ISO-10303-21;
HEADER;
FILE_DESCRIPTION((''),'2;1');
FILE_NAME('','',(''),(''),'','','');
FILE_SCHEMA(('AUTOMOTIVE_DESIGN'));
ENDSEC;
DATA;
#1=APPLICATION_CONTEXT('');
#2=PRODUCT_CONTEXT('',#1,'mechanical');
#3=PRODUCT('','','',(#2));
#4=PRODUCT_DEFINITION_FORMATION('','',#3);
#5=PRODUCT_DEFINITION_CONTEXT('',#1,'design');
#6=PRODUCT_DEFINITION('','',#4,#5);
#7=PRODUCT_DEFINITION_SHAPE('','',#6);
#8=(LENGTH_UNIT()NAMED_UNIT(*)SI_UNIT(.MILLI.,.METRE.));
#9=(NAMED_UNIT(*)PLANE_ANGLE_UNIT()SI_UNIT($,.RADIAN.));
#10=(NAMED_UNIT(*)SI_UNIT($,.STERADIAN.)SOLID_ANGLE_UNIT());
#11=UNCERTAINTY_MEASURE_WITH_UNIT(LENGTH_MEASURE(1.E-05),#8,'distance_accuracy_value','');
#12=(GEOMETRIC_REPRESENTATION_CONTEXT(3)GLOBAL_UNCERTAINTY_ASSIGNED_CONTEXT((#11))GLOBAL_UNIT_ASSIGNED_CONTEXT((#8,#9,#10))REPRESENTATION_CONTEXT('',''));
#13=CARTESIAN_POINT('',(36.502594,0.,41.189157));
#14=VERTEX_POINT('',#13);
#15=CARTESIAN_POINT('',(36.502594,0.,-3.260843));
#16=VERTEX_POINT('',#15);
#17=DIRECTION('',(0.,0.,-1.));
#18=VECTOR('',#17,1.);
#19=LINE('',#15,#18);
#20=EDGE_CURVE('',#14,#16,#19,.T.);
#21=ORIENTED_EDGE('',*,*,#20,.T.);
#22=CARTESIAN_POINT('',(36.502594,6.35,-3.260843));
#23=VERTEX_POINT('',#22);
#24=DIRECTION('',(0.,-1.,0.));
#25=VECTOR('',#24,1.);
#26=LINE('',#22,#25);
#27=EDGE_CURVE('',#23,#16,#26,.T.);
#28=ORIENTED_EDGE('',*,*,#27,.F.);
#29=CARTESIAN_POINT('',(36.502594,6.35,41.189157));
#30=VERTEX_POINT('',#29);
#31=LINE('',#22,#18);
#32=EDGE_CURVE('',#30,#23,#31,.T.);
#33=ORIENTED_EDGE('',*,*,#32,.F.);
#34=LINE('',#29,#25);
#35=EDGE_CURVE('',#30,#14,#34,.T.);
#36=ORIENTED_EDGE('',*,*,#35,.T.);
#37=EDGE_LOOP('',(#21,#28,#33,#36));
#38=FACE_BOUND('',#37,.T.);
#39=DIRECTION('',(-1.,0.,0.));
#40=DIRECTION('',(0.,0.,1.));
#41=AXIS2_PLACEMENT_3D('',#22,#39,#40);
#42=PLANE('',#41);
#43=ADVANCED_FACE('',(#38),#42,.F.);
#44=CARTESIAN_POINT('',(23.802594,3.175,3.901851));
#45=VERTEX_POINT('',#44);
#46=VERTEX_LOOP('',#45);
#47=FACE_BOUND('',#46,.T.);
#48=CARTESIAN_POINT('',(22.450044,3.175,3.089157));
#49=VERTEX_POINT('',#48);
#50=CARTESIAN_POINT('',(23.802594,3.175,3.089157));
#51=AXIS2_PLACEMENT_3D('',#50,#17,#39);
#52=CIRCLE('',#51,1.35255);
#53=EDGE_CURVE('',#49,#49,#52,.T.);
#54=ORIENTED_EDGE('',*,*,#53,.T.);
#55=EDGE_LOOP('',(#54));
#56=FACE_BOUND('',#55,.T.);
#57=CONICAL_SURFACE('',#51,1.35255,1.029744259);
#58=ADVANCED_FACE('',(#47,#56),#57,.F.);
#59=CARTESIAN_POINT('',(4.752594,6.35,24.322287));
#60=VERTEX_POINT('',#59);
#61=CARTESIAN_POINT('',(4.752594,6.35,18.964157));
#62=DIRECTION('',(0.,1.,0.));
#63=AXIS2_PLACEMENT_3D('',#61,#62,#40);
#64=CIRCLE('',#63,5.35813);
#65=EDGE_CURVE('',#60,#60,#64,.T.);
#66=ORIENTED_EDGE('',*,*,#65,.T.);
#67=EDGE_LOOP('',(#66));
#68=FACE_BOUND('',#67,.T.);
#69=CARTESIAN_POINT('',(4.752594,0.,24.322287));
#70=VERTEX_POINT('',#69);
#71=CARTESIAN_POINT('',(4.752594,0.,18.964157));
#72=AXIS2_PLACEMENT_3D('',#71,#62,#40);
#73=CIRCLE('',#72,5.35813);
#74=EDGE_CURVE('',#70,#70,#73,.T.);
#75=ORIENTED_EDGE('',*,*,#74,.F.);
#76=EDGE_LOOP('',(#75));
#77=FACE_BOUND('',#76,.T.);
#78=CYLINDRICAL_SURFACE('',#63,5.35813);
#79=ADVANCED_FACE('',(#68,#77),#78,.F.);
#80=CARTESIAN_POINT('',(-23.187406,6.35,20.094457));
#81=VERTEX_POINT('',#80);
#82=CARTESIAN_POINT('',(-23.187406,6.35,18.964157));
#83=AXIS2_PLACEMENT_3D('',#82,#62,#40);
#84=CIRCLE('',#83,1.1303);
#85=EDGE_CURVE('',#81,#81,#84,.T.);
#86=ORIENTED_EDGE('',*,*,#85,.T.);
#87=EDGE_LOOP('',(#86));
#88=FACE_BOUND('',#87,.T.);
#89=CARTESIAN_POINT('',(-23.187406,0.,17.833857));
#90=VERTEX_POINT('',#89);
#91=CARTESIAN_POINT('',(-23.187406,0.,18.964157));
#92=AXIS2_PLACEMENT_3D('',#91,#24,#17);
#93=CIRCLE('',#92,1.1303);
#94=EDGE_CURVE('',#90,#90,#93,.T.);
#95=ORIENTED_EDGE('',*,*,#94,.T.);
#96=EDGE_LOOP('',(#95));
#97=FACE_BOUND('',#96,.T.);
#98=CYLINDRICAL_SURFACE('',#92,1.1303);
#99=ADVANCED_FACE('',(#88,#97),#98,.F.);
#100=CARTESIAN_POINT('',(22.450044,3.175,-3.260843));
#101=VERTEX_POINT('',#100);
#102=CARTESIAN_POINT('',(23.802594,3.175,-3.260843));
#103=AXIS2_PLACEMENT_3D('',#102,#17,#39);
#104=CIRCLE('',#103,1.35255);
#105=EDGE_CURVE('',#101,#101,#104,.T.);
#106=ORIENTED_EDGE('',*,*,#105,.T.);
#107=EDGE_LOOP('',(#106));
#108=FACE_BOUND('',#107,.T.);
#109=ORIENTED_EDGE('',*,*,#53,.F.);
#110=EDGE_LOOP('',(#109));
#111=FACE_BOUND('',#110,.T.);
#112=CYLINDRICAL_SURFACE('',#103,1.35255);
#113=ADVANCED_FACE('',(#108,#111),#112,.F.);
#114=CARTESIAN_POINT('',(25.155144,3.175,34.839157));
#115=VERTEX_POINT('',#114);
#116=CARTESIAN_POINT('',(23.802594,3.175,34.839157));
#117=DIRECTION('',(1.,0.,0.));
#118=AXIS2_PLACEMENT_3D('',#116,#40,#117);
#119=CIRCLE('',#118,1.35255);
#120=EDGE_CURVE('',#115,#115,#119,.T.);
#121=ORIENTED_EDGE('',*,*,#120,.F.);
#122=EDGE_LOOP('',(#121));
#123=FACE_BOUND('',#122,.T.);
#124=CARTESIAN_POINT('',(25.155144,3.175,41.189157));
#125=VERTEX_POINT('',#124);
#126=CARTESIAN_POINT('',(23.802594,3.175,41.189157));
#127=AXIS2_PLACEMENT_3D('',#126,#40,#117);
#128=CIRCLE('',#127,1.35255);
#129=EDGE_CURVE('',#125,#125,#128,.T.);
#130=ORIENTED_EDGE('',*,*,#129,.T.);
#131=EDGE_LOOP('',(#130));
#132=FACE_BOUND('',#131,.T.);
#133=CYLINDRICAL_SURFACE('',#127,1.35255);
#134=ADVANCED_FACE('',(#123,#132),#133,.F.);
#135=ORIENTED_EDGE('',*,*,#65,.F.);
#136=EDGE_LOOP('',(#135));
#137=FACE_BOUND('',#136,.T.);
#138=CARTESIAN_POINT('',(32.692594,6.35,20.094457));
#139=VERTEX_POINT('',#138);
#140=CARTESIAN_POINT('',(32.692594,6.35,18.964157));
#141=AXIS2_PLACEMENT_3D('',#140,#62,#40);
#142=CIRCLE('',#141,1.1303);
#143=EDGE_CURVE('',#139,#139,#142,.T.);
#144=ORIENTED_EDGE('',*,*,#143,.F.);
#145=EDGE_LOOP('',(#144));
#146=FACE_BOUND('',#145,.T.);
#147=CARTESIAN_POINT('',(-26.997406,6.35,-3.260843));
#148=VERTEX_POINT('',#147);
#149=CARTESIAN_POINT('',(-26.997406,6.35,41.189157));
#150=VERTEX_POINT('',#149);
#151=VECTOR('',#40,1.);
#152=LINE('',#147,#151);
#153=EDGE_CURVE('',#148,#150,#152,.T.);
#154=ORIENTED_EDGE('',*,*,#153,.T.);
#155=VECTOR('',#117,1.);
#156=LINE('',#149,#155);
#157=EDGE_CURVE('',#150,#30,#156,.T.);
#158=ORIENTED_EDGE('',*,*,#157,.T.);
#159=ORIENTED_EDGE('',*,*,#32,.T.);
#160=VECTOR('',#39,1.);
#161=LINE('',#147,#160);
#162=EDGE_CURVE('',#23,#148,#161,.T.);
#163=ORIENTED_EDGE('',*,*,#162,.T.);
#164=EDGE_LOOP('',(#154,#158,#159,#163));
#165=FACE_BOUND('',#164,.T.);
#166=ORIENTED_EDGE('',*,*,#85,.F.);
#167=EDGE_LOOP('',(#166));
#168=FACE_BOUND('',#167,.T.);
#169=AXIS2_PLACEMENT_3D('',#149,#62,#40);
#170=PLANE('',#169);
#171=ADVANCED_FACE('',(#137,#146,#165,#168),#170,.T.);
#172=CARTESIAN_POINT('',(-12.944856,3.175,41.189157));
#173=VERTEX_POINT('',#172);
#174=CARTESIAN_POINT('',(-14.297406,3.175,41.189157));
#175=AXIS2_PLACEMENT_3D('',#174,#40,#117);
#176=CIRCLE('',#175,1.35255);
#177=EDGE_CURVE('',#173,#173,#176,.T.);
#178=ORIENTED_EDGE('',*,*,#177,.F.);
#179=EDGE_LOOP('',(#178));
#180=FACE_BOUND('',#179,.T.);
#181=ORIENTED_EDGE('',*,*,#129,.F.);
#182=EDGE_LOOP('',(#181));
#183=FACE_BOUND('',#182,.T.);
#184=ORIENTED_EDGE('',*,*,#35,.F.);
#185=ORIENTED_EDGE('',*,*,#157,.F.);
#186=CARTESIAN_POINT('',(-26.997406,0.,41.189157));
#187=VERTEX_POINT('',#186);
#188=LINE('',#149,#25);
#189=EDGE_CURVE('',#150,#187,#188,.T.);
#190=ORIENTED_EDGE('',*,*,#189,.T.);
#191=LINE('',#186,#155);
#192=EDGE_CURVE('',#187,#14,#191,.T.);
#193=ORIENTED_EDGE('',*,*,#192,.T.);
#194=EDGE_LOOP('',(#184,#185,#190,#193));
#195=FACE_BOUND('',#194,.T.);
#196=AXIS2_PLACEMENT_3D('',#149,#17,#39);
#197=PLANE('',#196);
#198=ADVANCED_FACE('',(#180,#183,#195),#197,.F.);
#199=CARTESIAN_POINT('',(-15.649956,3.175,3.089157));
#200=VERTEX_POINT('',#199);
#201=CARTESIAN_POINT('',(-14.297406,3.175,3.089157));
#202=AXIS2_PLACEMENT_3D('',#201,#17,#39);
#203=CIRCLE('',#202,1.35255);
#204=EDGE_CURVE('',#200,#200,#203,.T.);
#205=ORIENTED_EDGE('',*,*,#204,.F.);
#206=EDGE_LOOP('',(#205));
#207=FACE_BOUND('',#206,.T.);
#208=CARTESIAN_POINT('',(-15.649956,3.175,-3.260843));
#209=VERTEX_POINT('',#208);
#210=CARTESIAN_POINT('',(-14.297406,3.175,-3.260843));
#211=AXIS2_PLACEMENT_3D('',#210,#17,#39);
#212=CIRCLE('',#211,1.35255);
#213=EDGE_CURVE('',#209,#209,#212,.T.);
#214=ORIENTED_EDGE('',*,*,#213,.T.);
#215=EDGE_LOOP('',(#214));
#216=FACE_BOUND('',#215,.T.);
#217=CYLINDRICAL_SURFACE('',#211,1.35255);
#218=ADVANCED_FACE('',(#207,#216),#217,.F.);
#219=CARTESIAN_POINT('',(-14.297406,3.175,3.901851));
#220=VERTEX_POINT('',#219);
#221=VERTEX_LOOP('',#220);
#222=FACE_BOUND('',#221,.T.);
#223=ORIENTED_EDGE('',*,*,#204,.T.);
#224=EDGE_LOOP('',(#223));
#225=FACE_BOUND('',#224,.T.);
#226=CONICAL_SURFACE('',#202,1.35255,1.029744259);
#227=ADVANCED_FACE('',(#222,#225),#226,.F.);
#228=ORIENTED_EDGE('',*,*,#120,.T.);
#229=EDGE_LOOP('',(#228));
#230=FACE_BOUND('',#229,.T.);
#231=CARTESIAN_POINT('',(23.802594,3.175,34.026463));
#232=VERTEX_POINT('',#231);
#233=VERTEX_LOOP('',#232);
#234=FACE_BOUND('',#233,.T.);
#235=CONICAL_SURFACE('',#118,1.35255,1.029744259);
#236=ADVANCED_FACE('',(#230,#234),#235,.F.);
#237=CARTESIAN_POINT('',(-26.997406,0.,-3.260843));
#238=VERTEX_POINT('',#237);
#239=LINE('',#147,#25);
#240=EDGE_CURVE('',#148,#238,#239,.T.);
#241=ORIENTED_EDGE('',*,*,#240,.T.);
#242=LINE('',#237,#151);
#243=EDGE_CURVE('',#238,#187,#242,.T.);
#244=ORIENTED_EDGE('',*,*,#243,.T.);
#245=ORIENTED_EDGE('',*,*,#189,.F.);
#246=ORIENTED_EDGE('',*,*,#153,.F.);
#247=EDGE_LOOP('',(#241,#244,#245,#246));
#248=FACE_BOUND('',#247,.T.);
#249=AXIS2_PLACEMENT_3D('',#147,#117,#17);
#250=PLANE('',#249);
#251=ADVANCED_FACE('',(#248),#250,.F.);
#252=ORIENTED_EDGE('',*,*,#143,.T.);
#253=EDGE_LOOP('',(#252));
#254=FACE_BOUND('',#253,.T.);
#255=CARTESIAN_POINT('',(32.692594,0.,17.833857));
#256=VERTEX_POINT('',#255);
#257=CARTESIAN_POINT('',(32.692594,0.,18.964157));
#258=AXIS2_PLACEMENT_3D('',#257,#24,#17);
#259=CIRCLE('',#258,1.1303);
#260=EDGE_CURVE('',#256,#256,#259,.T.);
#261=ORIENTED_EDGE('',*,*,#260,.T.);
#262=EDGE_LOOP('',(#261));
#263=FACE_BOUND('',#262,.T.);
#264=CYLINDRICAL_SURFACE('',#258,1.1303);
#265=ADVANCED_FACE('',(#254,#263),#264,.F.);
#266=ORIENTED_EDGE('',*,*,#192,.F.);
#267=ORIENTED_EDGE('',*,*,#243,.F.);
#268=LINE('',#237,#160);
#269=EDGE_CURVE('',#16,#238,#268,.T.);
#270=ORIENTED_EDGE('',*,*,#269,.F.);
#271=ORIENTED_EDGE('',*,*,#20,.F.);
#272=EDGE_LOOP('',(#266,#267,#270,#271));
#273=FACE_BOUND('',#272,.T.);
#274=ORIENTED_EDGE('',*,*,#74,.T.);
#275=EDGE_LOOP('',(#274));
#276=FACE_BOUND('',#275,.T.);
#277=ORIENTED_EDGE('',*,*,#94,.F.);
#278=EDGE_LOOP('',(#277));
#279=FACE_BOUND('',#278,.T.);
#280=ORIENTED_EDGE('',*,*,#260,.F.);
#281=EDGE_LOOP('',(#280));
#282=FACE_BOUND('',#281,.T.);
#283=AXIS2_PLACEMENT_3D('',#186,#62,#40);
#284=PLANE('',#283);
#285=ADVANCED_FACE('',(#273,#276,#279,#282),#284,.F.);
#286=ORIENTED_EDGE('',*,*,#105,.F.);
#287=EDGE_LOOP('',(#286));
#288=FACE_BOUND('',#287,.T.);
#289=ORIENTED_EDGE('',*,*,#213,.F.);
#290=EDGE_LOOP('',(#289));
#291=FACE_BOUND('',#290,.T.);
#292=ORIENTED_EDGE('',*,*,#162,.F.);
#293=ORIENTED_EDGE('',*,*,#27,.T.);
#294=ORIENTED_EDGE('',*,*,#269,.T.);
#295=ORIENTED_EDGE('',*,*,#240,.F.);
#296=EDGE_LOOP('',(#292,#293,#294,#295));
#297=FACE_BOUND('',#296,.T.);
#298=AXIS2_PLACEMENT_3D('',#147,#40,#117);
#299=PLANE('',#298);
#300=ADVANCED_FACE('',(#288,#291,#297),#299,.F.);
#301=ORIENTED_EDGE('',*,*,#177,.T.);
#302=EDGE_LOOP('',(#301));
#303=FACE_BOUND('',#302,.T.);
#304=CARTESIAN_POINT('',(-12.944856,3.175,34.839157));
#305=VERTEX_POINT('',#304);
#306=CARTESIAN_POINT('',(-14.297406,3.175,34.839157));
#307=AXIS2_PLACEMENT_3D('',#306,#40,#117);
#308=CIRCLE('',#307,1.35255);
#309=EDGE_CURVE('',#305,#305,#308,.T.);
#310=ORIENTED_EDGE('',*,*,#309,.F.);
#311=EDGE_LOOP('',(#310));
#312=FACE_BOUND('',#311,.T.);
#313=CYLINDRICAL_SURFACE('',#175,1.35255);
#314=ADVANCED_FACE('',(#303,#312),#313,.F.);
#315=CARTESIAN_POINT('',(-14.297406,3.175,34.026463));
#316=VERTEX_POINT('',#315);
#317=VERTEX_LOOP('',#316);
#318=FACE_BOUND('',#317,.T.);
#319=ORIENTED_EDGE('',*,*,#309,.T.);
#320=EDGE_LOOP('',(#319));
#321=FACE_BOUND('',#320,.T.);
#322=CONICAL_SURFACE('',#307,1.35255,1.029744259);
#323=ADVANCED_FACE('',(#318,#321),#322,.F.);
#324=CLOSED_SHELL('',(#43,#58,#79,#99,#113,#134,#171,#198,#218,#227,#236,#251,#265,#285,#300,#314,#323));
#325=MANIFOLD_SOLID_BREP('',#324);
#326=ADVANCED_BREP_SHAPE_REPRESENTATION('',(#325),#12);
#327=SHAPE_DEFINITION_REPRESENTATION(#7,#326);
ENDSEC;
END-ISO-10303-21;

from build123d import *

# Parameters (mm, degrees)
SKETCH1_W                       = 63.5
SKETCH1_H                       = 44.45
BOSS_EXTRUDE1_DEPTH             = 6.35
LPATTERN1_COUNT                 = 2
LPATTERN1_PITCH                 = 55.88
TAP_DRILL_FOR_6_32_TAP1_D       = 2.7051
TAP_DRILL_FOR_6_32_TAP1_DEPTH   = 6.35
TAP_DRILL_FOR_6_32_TAP1_TIP     = 0.81269403
TAP_DRILL_FOR_6_32_TAP2_D       = 2.7051
TAP_DRILL_FOR_6_32_TAP2_DEPTH   = 6.35
TAP_DRILL_FOR_6_32_TAP2_TIP     = 0.81269403
TAP_DRILL_FOR_1_2_13_TAP1_D     = 10.71626
TAP_DRILL_FOR_1_2_13_TAP1_DEPTH = 6.35
TAP_DRILL_FOR_1_2_13_TAP1_TIP   = 3.219489309


with BuildPart() as part:
    # Sketch1 → Boss-Extrude1 (new body)
    with BuildSketch(Plane(origin=(0, 0, 0), x_dir=(1, 0, 0), z_dir=(0, 1, 0))):
        with Locations((4.75259427, -18.964156798)):
            Rectangle(SKETCH1_W, SKETCH1_H)
    extrude(amount=BOSS_EXTRUDE1_DEPTH)

    # Sketch16 → Tap Drill for #4-40 Tap1 (revolve, cut)
    with BuildSketch(Plane(origin=(-23.18740573, 0, 18.964156798), x_dir=(0, 0, -1), z_dir=(1, 0, 0))):
        Polygon((0, 0), (0, 13.379152758), (1.1303, 12.7), (1.1303, 0), align=None)
    tap_drill_for_4_40_tap1 = revolve(axis=Axis((-23.18740573, -6.35, 18.964156798), (0, 1, 0)), mode=Mode.SUBTRACT)

    # LPattern1: Tap Drill for #4-40 Tap1 ×2
    with Locations(*[(i * LPATTERN1_PITCH, 0, 0) for i in range(1, LPATTERN1_COUNT)]):
        add(tap_drill_for_4_40_tap1, mode=Mode.SUBTRACT)

    # Tap Drill for #6-32 Tap1
    with Locations(Plane.XY.offset(41.189156798)):
        with Locations((23.80259427, 3.175), (-14.29740573, 3.175)):
            Hole(TAP_DRILL_FOR_6_32_TAP1_D / 2, depth=TAP_DRILL_FOR_6_32_TAP1_DEPTH)
            with Locations((0, 0, -(TAP_DRILL_FOR_6_32_TAP1_DEPTH + TAP_DRILL_FOR_6_32_TAP1_TIP / 2))):  # 118° drill point
                Cone(0, TAP_DRILL_FOR_6_32_TAP1_D / 2, TAP_DRILL_FOR_6_32_TAP1_TIP, mode=Mode.SUBTRACT)

    # Tap Drill for #6-32 Tap2
    with Locations(Plane(origin=(0, 0, -3.260843202), x_dir=(-1, 0, 0), z_dir=(0, 0, -1))):
        with Locations((14.29740573, 3.175), (-23.80259427, 3.175)):
            Hole(TAP_DRILL_FOR_6_32_TAP2_D / 2, depth=TAP_DRILL_FOR_6_32_TAP2_DEPTH)
            with Locations((0, 0, -(TAP_DRILL_FOR_6_32_TAP2_DEPTH + TAP_DRILL_FOR_6_32_TAP2_TIP / 2))):  # 118° drill point
                Cone(0, TAP_DRILL_FOR_6_32_TAP2_D / 2, TAP_DRILL_FOR_6_32_TAP2_TIP, mode=Mode.SUBTRACT)

    # Tap Drill for 1/2-13 Tap1
    with Locations(Plane(origin=(0, 6.35, 0), x_dir=(-1, 0, 0), z_dir=(0, 1, 0))):
        with Locations((-4.75259427, 18.964156798)):
            Hole(TAP_DRILL_FOR_1_2_13_TAP1_D / 2, depth=TAP_DRILL_FOR_1_2_13_TAP1_DEPTH)
            with Locations((0, 0, -(TAP_DRILL_FOR_1_2_13_TAP1_DEPTH + TAP_DRILL_FOR_1_2_13_TAP1_TIP / 2))):  # 118° drill point
                Cone(0, TAP_DRILL_FOR_1_2_13_TAP1_D / 2, TAP_DRILL_FOR_1_2_13_TAP1_TIP, mode=Mode.SUBTRACT)


solid = part.part
